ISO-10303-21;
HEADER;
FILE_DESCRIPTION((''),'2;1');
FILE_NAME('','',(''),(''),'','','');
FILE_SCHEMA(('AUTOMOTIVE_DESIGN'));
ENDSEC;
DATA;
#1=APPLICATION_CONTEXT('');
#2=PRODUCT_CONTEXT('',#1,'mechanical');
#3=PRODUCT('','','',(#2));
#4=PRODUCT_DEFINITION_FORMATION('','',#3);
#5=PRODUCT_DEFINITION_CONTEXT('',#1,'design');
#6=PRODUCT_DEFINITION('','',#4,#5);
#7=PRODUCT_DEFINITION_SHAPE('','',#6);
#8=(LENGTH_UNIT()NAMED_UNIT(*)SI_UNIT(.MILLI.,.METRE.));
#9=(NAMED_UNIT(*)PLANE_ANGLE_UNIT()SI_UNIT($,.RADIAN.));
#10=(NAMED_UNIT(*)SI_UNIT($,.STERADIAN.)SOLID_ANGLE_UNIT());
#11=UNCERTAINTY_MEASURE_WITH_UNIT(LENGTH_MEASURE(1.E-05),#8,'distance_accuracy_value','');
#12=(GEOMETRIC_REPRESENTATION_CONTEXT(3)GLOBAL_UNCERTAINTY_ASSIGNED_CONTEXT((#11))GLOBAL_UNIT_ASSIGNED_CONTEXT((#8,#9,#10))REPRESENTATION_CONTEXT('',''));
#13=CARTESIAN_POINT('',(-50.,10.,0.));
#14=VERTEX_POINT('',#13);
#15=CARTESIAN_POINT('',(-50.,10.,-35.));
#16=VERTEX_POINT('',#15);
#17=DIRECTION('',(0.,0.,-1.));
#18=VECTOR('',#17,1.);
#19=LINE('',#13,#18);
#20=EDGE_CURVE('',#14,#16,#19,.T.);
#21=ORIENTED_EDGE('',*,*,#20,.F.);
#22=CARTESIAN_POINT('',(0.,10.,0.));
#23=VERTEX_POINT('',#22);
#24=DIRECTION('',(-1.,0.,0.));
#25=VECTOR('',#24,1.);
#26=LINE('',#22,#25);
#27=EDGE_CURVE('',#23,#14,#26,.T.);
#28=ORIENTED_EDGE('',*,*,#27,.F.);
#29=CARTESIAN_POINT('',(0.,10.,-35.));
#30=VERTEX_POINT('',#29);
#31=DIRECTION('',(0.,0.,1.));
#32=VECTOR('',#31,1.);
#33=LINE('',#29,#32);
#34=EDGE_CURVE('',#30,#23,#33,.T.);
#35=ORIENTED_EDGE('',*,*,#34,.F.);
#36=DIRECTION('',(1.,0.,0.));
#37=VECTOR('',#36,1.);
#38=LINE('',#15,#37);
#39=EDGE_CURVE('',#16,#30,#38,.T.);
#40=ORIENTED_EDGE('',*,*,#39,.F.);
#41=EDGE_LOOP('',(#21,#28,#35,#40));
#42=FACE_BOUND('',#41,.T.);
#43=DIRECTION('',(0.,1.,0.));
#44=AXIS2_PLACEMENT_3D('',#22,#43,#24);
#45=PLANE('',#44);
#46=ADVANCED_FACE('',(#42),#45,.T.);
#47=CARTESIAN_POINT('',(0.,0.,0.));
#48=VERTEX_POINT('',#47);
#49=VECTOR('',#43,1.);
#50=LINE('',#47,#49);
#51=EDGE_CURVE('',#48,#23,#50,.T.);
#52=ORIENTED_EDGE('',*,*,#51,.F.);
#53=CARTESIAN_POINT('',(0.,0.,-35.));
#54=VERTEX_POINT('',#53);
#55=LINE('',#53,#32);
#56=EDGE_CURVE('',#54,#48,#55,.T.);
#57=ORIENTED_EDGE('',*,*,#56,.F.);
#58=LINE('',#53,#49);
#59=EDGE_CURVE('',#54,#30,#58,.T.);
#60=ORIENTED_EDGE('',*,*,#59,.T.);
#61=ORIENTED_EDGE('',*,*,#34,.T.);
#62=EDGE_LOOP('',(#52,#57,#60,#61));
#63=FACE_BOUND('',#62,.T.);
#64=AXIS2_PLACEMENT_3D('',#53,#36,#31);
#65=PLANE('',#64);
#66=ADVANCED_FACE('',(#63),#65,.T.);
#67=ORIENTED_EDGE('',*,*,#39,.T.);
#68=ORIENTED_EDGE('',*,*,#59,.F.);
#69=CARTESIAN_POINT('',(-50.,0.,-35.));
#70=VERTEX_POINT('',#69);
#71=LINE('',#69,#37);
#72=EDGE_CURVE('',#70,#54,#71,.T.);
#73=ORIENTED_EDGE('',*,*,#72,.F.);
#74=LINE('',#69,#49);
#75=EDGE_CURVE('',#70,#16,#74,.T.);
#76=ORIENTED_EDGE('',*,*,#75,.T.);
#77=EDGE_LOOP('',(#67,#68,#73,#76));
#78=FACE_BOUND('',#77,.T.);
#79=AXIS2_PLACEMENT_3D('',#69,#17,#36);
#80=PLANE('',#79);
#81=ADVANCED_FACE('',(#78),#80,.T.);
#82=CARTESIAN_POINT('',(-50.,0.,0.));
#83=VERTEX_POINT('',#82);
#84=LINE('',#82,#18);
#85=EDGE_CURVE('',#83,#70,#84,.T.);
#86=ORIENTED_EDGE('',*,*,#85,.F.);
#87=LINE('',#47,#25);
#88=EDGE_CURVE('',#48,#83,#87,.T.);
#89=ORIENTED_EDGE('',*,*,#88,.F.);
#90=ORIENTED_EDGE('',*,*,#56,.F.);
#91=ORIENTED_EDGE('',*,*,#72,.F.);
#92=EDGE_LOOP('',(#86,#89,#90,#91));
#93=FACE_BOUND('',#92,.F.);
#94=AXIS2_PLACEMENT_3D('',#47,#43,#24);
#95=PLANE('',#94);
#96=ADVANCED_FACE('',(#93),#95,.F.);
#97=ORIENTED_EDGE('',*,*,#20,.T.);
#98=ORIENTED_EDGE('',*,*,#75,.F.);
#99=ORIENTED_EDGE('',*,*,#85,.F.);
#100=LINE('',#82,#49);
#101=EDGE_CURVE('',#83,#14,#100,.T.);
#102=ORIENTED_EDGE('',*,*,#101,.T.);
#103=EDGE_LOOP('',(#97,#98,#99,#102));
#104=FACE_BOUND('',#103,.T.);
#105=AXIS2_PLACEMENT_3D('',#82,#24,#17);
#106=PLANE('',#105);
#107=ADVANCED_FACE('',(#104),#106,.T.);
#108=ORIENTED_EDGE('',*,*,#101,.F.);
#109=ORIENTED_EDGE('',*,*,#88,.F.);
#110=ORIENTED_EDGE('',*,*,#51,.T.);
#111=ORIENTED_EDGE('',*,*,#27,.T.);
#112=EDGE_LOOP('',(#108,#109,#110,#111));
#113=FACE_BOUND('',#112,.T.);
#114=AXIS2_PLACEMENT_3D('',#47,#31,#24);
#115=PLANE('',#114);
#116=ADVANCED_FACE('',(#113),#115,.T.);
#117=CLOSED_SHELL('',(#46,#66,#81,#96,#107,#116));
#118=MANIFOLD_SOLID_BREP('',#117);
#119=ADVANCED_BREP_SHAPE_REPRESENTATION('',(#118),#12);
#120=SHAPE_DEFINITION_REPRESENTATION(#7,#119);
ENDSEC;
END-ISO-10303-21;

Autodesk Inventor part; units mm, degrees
ref_plane "YZ Plane" through (0, 0, 0) normal (1, 0, 0) x (0, 1, 0)
ref_plane "XZ Plane" through (0, 0, 0) normal (0, 1, 0) x (-1, 0, 0)
ref_plane "XY Plane" through (0, 0, 0) normal (0, 0, 1) x (1, 0, 0)
sketch "スケッチ1" plane through (0, 0, 0) normal (0, 1, 0) x (-1, 0, 0)
  line L0 (0, 0) -> (50, 0)
  line L1 (50, 0) -> (50, -35)
  line L2 (50, -35) -> (0, -35)
  line L3 (0, -35) -> (0, 0)
  dimension "d0" = 50
  dimension "d1" = 35
extrude "押し出し1" add sketch "スケッチ1" along normal blind 10
properties part number "リポ電池小2"
